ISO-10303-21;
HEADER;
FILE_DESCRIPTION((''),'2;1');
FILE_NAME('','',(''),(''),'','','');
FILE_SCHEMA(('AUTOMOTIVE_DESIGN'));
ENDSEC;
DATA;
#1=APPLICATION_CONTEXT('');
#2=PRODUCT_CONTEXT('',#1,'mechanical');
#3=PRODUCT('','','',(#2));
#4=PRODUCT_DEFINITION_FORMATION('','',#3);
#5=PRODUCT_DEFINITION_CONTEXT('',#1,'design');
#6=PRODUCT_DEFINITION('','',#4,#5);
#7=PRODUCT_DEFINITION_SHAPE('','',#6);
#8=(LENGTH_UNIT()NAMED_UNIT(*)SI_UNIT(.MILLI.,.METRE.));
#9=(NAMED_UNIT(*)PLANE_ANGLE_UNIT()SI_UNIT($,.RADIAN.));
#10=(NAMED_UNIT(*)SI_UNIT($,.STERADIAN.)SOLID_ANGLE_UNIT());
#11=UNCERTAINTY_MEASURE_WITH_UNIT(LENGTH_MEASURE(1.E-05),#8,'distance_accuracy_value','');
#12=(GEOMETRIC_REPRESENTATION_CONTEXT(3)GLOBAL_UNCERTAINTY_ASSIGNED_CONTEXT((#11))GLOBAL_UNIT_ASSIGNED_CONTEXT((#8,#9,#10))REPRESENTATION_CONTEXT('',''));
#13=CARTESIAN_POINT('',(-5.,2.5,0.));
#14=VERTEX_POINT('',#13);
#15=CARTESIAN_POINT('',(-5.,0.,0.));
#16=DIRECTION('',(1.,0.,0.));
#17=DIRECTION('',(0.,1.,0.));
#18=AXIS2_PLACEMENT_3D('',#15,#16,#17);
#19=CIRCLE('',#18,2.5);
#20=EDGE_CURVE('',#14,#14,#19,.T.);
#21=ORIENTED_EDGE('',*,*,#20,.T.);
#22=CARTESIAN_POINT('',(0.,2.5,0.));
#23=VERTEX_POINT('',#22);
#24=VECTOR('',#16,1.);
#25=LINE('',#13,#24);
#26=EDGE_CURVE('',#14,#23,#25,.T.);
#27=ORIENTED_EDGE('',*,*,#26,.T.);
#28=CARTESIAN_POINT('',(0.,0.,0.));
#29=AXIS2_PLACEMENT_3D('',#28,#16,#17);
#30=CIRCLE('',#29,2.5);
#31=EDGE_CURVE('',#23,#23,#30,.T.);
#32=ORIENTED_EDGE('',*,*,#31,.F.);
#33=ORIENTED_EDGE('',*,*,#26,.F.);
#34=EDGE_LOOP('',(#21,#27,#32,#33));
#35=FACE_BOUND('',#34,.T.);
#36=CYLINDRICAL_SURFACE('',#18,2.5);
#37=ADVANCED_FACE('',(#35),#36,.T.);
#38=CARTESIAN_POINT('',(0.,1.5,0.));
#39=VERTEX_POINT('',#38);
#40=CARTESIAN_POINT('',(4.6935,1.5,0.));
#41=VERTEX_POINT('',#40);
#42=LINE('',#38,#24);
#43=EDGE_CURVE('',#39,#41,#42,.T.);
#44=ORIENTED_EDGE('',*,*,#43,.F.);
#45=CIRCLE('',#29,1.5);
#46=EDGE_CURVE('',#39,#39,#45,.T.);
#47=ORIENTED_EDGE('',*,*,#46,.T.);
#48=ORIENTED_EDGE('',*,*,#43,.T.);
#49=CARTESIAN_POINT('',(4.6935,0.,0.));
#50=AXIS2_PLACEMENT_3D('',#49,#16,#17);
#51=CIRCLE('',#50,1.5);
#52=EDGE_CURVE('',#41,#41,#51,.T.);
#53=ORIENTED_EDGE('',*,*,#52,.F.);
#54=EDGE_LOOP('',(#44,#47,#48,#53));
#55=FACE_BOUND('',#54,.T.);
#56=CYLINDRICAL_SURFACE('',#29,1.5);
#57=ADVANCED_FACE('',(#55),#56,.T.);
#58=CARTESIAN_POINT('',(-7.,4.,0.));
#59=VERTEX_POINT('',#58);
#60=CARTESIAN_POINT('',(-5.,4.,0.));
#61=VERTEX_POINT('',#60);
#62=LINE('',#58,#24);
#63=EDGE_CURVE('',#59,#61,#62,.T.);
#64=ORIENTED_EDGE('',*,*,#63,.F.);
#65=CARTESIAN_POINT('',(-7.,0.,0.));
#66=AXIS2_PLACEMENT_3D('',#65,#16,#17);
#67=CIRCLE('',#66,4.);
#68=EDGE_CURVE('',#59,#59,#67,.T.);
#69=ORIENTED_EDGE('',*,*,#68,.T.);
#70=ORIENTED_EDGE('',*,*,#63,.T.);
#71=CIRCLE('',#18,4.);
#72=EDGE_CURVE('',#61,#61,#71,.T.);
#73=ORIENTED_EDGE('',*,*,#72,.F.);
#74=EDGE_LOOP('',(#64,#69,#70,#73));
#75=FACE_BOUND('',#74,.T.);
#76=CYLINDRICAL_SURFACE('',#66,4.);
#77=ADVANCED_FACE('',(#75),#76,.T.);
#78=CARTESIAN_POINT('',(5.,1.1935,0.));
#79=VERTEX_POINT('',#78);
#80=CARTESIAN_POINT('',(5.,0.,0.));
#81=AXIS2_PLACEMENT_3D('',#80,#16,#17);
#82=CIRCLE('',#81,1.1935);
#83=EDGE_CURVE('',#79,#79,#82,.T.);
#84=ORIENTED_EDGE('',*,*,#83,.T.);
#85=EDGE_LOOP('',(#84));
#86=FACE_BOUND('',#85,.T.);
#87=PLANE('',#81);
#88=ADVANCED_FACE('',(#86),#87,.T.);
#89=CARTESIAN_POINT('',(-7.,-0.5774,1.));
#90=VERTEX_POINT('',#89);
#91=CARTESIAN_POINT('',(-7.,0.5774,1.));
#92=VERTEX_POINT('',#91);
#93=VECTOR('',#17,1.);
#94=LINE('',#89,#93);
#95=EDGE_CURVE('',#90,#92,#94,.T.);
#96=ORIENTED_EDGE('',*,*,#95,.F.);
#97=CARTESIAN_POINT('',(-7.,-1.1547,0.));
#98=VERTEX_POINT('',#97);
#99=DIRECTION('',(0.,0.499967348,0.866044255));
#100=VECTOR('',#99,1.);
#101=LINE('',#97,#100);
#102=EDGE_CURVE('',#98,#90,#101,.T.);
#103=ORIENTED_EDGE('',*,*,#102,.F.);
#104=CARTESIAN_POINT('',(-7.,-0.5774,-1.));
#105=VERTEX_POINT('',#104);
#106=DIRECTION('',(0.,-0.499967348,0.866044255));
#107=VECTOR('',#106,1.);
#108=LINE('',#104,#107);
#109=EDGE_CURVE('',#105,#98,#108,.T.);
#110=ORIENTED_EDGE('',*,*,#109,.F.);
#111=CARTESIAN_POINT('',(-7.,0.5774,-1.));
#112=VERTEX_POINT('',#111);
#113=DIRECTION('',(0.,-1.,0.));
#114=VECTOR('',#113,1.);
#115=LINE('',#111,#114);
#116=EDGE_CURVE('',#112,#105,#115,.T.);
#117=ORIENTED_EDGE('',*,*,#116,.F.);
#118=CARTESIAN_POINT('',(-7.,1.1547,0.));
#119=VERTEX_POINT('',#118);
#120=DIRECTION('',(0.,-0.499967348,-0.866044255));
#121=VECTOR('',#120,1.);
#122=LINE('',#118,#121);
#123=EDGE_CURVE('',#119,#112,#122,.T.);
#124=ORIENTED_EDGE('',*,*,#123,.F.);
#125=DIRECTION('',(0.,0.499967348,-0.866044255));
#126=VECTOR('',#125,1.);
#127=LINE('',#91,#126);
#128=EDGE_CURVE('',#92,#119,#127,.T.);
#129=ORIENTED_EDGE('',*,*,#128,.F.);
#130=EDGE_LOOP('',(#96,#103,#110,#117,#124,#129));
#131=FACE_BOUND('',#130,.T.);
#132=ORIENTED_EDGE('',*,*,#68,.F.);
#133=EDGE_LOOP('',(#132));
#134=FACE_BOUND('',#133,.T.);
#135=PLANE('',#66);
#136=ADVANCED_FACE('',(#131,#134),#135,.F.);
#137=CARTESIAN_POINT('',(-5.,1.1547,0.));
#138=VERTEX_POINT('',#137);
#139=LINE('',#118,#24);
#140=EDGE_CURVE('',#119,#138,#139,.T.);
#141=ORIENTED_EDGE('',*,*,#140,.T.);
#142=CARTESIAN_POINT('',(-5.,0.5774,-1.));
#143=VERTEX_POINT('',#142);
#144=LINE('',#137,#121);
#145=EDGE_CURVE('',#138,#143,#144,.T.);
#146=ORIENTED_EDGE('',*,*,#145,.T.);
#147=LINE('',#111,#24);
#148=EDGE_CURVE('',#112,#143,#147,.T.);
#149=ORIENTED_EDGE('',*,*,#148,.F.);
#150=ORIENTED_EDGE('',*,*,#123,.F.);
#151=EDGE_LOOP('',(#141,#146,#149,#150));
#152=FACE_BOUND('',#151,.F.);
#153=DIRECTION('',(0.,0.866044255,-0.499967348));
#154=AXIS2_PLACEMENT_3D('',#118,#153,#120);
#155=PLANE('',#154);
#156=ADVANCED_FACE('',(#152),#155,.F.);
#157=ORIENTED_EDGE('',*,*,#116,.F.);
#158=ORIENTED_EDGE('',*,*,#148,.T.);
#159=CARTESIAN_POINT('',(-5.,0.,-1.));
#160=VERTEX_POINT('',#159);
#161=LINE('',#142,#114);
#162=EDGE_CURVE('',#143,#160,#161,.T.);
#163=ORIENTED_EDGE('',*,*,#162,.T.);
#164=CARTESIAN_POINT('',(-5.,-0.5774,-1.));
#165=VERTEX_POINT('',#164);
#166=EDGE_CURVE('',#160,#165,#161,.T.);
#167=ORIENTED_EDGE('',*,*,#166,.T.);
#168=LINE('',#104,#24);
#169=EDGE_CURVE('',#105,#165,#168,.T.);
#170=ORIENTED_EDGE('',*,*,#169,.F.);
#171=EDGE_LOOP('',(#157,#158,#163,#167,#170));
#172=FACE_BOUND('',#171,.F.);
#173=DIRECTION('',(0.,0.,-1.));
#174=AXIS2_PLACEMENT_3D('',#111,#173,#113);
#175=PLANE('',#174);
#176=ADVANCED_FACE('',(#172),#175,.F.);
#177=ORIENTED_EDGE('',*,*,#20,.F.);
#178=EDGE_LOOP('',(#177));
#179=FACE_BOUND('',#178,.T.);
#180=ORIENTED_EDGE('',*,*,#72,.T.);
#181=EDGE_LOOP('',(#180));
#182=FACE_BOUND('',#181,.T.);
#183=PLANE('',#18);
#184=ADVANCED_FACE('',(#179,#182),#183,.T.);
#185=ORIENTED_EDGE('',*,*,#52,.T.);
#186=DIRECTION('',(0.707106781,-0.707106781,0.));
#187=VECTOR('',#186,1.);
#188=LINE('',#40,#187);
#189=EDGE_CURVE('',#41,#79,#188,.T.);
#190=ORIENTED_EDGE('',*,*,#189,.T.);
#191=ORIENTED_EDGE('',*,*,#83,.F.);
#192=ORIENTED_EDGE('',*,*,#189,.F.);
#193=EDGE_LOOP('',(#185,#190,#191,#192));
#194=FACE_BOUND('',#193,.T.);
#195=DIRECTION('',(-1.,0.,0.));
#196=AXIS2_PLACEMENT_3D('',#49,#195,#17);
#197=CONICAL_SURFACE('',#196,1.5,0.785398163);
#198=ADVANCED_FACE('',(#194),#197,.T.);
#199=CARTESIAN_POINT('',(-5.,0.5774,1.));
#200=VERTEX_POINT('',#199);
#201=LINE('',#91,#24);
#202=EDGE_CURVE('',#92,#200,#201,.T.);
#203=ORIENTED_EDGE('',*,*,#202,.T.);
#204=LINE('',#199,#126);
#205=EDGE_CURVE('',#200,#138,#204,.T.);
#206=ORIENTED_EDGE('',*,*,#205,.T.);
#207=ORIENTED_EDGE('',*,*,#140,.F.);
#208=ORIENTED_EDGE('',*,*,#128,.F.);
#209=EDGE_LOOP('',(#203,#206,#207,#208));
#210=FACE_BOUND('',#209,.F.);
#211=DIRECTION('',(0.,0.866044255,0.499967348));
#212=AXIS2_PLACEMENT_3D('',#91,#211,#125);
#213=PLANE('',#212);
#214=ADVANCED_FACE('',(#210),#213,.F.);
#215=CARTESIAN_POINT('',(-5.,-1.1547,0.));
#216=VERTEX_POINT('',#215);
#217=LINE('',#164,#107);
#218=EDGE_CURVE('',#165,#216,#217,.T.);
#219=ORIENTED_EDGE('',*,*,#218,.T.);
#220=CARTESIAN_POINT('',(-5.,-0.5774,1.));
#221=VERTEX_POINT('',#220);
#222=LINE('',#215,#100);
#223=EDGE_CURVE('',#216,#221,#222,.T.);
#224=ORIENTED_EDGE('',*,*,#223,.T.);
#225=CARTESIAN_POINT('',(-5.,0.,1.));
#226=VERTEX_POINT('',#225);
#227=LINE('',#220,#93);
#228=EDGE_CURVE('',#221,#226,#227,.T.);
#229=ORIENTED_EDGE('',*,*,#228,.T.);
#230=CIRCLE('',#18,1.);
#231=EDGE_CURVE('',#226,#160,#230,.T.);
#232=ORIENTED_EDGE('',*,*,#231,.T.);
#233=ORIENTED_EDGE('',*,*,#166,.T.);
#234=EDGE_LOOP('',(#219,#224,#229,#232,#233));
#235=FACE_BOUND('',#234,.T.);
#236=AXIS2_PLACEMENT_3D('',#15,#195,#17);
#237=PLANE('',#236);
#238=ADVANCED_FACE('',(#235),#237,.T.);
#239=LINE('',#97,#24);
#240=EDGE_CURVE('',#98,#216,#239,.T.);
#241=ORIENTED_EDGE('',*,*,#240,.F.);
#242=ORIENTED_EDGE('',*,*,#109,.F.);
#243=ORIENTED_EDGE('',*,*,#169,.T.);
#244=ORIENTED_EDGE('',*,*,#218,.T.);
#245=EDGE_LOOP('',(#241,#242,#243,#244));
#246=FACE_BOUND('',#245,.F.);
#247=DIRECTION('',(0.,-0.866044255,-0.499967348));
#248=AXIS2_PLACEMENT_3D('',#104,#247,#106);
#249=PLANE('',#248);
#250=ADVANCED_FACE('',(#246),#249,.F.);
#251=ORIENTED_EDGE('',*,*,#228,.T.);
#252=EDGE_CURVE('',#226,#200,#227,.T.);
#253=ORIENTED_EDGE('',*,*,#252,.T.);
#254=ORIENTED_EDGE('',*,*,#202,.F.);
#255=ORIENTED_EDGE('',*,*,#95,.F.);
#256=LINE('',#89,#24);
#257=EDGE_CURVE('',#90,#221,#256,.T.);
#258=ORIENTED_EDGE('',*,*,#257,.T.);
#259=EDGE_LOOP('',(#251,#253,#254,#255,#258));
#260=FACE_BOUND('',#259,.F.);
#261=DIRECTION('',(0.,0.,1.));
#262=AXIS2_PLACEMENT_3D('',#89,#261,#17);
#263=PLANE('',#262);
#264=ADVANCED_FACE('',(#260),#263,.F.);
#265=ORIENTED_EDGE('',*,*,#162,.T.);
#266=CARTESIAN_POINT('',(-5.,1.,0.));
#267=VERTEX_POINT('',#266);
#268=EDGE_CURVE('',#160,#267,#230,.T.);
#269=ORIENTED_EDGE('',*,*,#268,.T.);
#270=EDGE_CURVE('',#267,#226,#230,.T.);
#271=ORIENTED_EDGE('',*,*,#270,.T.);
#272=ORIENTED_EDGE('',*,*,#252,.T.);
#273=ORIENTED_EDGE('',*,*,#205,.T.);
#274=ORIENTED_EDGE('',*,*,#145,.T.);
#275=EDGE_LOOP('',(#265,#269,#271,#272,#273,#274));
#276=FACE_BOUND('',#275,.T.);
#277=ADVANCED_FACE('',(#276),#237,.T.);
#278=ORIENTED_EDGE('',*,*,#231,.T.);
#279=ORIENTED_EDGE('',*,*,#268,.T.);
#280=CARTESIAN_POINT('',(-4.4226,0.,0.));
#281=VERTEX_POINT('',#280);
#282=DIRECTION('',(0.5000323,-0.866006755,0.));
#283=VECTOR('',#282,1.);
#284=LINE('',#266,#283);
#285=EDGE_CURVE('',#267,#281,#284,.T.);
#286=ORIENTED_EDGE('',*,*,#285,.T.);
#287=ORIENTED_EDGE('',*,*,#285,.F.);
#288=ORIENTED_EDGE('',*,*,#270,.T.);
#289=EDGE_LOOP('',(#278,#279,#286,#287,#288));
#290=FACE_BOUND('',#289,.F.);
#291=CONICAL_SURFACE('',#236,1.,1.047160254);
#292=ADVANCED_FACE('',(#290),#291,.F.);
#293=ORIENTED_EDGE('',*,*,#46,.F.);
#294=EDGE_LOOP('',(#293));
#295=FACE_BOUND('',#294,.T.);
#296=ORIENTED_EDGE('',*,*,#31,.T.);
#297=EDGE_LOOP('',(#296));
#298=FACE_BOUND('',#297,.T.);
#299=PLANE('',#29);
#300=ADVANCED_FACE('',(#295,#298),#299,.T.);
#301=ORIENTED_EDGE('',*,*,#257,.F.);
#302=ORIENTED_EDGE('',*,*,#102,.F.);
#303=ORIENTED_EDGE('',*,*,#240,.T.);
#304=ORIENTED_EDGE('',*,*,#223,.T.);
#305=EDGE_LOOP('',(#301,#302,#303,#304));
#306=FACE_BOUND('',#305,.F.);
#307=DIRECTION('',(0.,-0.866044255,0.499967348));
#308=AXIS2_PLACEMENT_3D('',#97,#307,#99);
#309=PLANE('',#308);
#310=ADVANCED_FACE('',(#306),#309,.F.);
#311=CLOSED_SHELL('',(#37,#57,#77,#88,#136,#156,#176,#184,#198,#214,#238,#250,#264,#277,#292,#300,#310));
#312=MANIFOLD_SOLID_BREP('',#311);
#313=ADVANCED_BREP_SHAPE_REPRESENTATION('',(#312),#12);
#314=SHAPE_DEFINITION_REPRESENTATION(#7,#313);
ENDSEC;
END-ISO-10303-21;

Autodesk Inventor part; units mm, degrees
ref_plane "YZ Plane" through (0, 0, 0) normal (1, 0, 0) x (0, 1, 0)
ref_plane "XZ Plane" through (0, 0, 0) normal (0, 1, 0) x (-1, 0, 0)
ref_plane "XY Plane" through (0, 0, 0) normal (0, 0, 1) x (1, 0, 0)
sketch "Sketch_1" plane through (0, 0, 0) normal (0, 0, 1) x (1, 0, 0)
  line L0 (5, 0) -> (-7, 0)
  line L1 (-7, 0) -> (-7, 4)
  line L2 (-7, 4) -> (-5, 4)
  line L3 (-5, 4) -> (-5, 2.5)
  line L4 (-5, 2.5) -> (0, 2.5)
  line L5 (0, 2.5) -> (0, 1.5)
  line L6 (0, 1.5) -> (4.6935, 1.5)
  line L7 (4.6935, 1.5) -> (5, 1.1935)
  line L8 (5, 1.1935) -> (5, 0)
  line L9 (5, 0) -> (-7, 0)
revolve "Revolution1" add sketch "Sketch_1" angle 360 about axis through (5, 0, 0) along (1, 0, 0)
thread "Thread1" size "M3x0.5" class "6g" standard "ISO Metric profile" length 3.6935
sketch "Sketch_2" plane through (-7, 0, 0) normal (-1, 0, 0) x (0, 1, 0)
  line L0 (-1.1547, 0) -> (-0.5774, -1)
  line L1 (-0.5774, -1) -> (0.5774, -1)
  line L2 (0.5774, -1) -> (1.1547, 0)
  line L3 (1.1547, 0) -> (0.5774, 1)
  line L4 (0.5774, 1) -> (-0.5774, 1)
  line L5 (-0.5774, 1) -> (-1.1547, 0)
extrude "Extrusion1" cut sketch "Sketch_2" against normal blind 2
sketch "Sketch_3" plane through (0, 0, 0) normal (0, 0, 1) x (1, 0, 0)
  line L0 (-4.4226, 0) -> (-5, 0)
  line L1 (-5, 0) -> (-5, 1)
  line L2 (-5, 1) -> (-4.4226, 0)
  line L3 (-4.4226, 0) -> (-5, 0)
revolve "Revolution2" cut sketch "Sketch_3" angle 360 about axis through (-4.4226, 0, 0) along (1, 0, 0)
properties part number "DBB3-5-5"
